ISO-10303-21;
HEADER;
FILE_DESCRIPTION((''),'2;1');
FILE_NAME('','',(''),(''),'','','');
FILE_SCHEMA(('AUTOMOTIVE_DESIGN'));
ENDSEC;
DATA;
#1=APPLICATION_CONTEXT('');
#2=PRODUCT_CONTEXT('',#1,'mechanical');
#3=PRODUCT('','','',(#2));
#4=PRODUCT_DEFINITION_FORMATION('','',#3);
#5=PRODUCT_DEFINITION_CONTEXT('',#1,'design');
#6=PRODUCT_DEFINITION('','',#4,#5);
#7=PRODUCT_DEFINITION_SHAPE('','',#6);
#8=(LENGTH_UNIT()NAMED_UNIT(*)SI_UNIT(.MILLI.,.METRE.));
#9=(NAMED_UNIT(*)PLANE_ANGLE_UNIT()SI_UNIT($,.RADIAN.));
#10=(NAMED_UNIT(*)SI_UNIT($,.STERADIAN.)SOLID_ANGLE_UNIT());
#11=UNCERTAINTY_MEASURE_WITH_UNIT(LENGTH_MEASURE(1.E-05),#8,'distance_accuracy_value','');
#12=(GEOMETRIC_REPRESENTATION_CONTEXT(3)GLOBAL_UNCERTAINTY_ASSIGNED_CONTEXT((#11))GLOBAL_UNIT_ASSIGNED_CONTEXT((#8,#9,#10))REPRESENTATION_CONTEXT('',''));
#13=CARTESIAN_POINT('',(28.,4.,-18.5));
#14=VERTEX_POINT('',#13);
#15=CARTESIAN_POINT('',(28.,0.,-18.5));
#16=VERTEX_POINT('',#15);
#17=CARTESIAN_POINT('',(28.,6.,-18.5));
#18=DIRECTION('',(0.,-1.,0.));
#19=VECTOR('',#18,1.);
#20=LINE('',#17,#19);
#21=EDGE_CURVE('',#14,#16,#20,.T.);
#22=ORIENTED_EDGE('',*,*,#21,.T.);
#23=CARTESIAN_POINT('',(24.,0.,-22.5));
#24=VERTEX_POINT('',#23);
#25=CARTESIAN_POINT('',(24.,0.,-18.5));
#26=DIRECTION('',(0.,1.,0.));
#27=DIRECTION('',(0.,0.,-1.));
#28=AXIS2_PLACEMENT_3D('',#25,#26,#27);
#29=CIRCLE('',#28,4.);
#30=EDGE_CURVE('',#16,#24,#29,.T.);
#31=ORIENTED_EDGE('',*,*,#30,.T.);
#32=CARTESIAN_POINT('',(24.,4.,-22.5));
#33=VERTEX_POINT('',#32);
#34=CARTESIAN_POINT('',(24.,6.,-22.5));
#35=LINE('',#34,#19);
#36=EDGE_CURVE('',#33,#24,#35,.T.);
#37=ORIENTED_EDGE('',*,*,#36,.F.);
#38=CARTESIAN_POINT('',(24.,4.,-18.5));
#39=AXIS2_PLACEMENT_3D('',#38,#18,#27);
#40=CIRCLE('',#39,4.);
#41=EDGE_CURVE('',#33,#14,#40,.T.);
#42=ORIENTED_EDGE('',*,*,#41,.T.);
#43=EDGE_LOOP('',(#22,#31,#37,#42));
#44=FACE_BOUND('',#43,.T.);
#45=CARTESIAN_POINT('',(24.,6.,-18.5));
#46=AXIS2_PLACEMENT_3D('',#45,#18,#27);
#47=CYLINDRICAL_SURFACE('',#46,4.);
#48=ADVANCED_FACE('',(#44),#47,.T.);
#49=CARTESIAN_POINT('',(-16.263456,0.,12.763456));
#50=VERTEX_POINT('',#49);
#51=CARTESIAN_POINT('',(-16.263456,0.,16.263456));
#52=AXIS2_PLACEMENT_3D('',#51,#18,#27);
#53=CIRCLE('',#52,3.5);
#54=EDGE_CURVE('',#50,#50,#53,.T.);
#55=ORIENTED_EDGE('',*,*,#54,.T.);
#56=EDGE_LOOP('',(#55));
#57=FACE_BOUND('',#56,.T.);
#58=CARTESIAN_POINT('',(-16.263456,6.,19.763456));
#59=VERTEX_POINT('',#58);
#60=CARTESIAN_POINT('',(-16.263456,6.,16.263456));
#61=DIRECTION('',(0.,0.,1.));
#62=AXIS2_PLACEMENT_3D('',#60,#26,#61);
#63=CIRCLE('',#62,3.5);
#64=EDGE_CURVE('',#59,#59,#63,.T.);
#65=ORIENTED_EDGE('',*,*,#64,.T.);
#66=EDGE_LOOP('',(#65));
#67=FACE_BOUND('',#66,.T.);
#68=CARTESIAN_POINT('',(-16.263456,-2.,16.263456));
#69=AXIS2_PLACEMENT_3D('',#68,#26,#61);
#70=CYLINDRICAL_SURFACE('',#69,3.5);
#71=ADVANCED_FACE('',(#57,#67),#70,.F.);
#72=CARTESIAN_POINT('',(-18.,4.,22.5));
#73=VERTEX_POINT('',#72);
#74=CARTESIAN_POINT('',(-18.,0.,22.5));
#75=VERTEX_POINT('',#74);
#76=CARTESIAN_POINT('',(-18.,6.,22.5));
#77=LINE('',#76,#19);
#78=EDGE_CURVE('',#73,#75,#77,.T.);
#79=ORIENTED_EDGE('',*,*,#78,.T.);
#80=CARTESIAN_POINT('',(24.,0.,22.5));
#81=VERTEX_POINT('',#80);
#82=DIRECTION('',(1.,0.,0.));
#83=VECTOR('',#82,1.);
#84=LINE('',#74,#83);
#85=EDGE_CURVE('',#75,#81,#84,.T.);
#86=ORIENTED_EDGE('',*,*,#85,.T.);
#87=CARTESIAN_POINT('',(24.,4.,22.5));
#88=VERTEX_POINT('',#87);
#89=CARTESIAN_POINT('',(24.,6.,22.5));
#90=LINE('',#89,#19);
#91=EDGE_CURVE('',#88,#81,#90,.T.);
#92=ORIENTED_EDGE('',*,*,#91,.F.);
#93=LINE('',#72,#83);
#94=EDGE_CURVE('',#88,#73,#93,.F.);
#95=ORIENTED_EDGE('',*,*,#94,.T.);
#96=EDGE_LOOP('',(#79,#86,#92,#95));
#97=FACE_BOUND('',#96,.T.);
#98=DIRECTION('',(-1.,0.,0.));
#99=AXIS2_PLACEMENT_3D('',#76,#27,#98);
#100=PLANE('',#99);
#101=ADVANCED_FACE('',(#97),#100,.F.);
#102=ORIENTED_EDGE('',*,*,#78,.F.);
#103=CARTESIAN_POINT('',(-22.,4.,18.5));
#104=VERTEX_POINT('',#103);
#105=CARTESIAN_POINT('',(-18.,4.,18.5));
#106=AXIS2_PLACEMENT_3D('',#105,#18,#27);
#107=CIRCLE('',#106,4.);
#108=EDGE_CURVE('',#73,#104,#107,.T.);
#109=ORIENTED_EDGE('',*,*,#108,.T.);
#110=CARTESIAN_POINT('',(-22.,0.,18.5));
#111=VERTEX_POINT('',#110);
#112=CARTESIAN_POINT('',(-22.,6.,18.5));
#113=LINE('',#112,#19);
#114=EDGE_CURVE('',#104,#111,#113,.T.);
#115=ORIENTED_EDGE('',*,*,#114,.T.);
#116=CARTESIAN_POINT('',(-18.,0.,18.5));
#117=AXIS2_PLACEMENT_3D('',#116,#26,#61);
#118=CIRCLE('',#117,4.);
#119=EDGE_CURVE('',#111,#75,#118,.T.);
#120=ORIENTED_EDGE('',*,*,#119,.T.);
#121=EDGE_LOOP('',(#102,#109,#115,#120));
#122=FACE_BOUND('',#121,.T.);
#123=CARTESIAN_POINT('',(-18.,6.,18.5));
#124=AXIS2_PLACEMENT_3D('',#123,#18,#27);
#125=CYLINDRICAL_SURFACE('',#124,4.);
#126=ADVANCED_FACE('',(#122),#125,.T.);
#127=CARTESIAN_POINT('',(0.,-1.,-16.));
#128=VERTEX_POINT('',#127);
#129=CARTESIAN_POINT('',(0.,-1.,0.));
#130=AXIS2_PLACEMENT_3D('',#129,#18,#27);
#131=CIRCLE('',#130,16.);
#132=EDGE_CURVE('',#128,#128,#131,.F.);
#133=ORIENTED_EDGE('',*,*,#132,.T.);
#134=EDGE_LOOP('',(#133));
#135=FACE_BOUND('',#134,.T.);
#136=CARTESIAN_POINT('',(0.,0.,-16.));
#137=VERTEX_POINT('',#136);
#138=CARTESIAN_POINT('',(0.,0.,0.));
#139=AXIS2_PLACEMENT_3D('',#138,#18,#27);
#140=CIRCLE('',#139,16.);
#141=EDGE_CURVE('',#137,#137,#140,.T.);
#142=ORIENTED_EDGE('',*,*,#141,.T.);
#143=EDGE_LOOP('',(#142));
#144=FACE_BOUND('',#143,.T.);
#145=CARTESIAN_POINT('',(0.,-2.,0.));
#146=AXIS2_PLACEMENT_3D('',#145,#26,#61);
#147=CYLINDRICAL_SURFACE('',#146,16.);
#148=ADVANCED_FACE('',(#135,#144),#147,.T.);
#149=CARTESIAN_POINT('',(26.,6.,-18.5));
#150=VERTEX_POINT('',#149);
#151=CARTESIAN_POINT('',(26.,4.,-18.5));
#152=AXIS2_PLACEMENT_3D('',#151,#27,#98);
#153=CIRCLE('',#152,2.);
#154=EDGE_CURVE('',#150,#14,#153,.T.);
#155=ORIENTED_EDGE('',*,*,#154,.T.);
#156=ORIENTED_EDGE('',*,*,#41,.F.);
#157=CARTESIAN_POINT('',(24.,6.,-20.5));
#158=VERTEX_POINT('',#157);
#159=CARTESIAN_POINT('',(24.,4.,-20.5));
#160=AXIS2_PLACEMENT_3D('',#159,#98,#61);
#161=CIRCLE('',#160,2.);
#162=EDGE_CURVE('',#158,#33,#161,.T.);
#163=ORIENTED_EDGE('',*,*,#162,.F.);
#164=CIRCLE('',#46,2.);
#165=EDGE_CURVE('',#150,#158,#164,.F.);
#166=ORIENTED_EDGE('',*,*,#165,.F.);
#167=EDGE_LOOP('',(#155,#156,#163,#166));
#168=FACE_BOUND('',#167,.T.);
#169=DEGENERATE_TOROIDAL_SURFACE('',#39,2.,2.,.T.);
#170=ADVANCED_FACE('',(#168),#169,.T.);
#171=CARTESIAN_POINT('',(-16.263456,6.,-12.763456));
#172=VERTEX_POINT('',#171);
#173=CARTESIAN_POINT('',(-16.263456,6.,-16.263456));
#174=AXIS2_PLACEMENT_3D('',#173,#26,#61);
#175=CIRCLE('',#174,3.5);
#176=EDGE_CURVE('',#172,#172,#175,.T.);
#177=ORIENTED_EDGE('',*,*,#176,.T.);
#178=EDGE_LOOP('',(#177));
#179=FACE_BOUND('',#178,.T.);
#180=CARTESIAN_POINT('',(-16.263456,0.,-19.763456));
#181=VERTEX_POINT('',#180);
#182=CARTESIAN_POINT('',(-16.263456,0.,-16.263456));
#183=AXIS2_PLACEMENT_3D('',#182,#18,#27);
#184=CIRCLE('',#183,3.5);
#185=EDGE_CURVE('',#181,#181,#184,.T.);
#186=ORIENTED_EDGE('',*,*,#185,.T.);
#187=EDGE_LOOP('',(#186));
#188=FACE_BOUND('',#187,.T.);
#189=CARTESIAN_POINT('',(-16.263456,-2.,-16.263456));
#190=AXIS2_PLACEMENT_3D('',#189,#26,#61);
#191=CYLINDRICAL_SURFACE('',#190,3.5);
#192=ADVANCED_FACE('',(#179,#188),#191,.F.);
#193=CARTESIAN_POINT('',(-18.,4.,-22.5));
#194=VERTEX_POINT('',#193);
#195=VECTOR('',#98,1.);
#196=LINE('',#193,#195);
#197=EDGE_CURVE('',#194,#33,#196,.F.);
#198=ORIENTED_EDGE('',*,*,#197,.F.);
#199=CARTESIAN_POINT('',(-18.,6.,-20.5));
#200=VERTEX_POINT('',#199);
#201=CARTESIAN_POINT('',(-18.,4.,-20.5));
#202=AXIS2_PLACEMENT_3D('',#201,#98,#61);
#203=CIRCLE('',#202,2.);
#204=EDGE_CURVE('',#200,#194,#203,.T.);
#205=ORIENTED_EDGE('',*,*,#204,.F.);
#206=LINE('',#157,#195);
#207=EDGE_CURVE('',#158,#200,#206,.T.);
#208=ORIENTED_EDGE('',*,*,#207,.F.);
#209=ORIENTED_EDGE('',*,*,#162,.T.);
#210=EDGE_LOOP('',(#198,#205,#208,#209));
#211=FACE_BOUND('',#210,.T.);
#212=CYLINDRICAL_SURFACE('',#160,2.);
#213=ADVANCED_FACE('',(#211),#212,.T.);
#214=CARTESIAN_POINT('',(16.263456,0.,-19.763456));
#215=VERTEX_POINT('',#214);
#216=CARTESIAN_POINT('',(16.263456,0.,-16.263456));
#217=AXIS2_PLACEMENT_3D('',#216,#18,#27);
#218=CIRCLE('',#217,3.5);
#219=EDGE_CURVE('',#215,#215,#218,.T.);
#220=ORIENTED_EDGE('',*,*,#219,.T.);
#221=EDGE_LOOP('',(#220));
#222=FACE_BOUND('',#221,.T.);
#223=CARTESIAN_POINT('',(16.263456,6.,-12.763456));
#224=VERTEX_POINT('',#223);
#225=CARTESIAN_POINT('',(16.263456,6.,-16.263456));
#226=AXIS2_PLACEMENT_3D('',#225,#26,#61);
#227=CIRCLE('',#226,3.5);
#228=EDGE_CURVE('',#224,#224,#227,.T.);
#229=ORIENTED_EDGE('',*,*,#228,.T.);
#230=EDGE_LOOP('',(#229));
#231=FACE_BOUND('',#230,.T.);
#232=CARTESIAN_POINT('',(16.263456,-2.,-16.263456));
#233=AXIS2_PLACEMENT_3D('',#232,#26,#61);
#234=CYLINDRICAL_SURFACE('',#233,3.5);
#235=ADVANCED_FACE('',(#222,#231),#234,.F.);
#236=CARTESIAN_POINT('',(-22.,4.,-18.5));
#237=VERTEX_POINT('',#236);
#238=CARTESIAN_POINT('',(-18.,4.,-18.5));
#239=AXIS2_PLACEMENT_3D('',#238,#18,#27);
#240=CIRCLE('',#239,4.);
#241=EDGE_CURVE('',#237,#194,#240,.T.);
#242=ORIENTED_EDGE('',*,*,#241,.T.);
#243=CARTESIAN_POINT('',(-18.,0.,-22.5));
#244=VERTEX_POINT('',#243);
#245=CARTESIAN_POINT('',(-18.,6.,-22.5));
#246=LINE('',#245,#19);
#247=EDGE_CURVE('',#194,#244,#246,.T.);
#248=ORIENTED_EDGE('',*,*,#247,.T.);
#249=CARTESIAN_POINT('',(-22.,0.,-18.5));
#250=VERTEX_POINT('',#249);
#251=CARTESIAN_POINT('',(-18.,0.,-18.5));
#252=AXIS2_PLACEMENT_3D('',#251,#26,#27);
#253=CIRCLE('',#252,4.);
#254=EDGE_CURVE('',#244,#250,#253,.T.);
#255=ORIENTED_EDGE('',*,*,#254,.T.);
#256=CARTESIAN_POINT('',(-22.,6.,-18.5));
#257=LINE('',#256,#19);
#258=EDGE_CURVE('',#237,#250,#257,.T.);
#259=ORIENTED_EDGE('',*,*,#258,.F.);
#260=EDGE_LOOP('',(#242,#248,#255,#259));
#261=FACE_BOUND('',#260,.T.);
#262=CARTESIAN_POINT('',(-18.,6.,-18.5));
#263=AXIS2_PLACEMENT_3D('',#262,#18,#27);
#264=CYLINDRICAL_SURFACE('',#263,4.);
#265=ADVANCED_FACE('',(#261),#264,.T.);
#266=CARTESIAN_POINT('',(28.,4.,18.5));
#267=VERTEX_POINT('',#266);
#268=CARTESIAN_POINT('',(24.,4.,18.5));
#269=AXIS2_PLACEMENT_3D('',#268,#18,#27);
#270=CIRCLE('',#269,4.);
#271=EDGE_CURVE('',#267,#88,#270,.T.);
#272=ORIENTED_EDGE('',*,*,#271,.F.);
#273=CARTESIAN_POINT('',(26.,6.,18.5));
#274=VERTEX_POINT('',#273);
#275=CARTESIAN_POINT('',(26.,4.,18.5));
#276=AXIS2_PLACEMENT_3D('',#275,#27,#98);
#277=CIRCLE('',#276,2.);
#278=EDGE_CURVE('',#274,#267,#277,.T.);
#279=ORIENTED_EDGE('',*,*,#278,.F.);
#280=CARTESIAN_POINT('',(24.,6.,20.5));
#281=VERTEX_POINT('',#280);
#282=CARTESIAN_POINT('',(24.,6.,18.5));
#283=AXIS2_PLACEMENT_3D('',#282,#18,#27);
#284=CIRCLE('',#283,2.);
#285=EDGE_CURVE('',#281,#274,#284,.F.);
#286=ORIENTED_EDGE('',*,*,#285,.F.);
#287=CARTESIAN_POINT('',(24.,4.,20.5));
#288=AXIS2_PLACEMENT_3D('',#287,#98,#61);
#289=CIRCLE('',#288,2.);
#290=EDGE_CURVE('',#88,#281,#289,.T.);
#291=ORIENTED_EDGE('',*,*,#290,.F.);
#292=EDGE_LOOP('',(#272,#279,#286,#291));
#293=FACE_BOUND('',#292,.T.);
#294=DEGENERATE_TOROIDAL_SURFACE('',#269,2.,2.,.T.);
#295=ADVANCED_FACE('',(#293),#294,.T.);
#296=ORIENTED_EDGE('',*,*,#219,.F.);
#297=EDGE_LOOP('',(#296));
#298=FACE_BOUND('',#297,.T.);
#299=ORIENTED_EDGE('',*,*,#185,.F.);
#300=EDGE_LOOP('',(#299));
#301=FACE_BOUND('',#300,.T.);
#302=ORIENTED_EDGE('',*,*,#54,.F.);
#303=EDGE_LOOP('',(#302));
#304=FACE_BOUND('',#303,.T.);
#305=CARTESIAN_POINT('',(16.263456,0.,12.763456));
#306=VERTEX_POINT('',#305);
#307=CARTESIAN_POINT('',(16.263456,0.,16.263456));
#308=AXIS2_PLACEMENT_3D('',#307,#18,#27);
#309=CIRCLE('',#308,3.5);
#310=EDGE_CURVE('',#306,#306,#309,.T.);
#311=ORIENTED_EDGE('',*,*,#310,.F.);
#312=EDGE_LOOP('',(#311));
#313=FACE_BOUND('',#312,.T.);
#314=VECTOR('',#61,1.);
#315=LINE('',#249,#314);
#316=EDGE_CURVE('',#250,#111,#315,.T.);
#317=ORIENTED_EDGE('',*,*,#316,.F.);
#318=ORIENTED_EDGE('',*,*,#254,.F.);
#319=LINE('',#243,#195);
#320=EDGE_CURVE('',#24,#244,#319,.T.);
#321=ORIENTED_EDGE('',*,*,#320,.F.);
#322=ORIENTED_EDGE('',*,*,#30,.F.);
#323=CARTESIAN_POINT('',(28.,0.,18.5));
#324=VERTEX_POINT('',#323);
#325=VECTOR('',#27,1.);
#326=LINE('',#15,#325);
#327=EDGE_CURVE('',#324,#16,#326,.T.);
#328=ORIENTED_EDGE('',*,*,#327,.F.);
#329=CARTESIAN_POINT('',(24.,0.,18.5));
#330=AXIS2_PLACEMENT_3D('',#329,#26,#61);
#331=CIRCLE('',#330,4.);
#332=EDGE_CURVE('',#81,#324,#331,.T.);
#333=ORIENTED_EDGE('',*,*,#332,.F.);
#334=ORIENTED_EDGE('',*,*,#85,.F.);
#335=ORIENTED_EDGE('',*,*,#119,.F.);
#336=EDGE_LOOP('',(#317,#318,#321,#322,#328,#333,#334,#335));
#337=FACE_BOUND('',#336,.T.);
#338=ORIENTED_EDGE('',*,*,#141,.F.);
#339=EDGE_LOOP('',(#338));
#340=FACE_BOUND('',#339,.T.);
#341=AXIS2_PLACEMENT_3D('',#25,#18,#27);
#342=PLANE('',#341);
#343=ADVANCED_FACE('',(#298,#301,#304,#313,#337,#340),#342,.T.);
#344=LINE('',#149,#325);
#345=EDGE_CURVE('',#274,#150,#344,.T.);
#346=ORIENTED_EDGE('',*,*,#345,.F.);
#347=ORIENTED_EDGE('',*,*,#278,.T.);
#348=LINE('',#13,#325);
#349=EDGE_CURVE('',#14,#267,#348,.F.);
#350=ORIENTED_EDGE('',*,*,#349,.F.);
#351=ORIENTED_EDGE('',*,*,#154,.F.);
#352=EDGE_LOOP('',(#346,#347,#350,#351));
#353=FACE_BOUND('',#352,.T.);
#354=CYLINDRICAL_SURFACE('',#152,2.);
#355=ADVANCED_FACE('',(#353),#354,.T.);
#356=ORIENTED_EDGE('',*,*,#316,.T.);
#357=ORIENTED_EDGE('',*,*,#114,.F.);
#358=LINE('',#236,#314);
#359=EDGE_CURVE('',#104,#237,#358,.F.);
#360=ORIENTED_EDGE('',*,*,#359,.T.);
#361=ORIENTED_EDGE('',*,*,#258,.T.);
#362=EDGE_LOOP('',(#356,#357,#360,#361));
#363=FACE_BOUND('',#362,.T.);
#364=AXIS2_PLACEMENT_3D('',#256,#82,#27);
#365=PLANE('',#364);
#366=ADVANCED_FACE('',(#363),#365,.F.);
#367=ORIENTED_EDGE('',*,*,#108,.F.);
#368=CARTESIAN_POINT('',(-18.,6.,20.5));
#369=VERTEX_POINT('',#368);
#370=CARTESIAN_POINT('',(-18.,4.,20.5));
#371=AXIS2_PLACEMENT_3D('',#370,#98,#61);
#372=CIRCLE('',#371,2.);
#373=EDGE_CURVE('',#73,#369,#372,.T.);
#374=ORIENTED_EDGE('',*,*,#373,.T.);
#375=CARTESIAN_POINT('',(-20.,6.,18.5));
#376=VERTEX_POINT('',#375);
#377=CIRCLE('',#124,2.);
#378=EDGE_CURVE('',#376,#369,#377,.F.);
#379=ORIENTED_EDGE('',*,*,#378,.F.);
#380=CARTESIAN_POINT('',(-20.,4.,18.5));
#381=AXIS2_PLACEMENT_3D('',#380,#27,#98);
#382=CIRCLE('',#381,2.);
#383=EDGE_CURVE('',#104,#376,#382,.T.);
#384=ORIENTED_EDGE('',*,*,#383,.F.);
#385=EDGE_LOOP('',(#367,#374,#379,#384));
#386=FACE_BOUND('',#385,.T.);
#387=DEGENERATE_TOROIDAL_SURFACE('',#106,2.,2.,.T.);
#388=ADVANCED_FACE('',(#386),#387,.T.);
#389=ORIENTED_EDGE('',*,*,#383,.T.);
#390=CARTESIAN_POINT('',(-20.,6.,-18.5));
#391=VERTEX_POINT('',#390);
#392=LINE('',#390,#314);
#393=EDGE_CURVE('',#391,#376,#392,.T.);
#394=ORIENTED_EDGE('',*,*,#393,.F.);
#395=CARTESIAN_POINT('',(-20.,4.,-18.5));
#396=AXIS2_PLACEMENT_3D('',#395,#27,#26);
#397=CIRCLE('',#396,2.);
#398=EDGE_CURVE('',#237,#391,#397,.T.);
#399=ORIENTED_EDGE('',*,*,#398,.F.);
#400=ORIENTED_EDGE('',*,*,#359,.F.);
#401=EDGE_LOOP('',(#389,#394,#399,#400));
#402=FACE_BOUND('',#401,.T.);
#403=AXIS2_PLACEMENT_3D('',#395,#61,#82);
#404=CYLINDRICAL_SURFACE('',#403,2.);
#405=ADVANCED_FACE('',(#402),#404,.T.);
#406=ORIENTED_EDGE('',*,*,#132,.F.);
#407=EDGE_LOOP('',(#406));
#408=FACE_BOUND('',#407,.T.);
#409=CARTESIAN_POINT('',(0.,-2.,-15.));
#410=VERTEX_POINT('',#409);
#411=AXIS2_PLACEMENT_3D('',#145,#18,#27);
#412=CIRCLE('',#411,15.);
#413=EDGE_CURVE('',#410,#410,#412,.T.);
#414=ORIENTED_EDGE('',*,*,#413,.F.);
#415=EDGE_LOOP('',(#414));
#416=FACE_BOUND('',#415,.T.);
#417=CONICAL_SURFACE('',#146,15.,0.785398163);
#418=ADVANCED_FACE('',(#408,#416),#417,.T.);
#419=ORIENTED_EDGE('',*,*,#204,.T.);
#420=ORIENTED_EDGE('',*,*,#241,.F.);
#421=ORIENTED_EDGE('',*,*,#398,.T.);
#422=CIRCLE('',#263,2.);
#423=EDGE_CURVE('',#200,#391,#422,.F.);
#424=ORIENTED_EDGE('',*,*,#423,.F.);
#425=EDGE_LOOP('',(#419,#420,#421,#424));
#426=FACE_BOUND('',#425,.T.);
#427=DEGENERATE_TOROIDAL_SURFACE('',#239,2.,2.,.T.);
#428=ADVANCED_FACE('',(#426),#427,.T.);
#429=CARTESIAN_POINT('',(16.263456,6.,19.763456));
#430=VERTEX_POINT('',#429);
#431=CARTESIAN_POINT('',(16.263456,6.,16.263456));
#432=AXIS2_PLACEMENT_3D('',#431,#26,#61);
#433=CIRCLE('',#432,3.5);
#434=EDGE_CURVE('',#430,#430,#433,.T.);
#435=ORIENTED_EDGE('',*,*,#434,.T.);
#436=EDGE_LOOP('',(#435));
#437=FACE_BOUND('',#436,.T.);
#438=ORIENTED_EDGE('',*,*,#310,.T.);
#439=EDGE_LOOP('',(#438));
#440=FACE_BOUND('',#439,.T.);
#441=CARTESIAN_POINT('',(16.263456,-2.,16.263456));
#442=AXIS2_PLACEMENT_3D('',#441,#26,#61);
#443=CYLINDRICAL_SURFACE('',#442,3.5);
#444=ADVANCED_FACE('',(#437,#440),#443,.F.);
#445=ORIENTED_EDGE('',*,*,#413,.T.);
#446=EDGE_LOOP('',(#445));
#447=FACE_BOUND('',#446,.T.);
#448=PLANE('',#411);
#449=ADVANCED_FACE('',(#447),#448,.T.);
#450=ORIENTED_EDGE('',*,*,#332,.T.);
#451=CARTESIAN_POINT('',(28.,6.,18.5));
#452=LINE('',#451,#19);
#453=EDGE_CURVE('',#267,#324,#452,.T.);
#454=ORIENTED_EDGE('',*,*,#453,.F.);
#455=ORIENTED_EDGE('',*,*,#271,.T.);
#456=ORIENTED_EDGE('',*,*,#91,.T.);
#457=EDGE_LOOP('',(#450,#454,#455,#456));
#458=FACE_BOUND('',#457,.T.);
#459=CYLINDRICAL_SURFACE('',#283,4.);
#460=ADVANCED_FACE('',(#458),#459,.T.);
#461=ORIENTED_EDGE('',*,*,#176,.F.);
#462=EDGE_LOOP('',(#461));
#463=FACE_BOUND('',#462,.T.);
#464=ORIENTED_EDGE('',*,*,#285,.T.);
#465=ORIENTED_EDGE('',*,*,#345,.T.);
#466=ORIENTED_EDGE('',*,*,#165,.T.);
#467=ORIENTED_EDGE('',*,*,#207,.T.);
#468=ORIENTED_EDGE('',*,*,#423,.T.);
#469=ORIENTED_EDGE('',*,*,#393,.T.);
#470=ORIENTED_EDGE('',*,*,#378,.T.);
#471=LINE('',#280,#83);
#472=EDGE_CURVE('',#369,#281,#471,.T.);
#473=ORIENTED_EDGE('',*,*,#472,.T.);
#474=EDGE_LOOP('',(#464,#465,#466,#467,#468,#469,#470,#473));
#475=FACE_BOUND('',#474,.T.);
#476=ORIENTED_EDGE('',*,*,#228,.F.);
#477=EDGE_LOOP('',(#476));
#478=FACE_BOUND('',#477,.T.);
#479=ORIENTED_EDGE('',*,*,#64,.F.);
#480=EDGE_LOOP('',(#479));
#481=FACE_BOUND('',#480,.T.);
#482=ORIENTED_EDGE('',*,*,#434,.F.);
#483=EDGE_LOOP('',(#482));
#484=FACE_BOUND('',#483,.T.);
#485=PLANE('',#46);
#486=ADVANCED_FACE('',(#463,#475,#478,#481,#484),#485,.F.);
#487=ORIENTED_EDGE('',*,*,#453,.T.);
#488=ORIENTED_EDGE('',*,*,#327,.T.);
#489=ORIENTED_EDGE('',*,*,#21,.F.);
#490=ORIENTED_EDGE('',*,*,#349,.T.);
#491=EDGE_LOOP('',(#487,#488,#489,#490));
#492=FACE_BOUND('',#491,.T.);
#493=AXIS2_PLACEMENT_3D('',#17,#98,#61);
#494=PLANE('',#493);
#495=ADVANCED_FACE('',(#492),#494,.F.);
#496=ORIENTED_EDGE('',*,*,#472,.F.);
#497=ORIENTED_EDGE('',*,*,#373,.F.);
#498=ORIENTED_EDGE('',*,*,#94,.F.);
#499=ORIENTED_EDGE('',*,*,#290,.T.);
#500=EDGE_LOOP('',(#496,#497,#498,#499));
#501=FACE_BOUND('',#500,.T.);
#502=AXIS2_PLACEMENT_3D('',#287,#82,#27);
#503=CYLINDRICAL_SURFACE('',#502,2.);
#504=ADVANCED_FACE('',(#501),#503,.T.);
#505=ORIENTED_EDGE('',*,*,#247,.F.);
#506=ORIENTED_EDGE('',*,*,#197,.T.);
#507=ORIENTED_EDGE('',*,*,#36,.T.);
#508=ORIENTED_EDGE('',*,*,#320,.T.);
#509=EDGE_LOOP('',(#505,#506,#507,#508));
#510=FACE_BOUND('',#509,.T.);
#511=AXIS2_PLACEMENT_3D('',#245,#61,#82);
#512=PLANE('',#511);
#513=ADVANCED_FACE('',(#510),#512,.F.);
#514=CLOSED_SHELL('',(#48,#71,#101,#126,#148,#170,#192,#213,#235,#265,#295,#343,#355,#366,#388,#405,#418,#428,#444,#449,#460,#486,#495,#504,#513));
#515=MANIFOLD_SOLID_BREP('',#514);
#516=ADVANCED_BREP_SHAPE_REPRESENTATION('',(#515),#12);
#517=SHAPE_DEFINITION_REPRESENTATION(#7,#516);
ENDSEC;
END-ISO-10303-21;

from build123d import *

# Parameters (mm, degrees)
BOSS_EXTRUDE1_DEPTH = 6
FILLET1_R           = 2
SKETCH2_R           = 16
BOSS_EXTRUDE2_DEPTH = 2
CHAMFER1_SIZE       = 1
SKETCH3_R           = 3.5
CUT_EXTRUDE1_DEPTH  = 37.800135869


with BuildPart() as part:
    # Sketch1 → Boss-Extrude1 (new body)
    with BuildSketch(Plane(origin=(0, 0, 0), x_dir=(1, 0, 0), z_dir=(0, 1, 0))):
        with BuildLine():
            Line((-18, 22.5), (24, 22.5))
            ThreePointArc((24, 22.5), (26.828427125, 21.328427125), (28, 18.5))
            Line((28, 18.5), (28, -18.5))
            ThreePointArc((28, -18.5), (26.828427125, -21.328427125), (24, -22.5))
            Line((24, -22.5), (-18, -22.5))
            ThreePointArc((-18, -22.5), (-20.828427125, -21.328427125), (-22, -18.5))
            Line((-22, -18.5), (-22, 18.5))
            ThreePointArc((-22, 18.5), (-20.828427125, 21.328427125), (-18, 22.5))
        make_face()
    extrude(amount=BOSS_EXTRUDE1_DEPTH)

    # Fillet1
    fillet1_edges = [part.edges().sort_by_distance(p)[0] for p in [
        (-20.828427125, 6, -21.328427125),
        (-22, 6, 0),
        (-20.828427125, 6, 21.328427125),
        (3, 6, 22.5),
        (26.828427125, 6, 21.328427125),
        (28, 6, 0),
        (26.828427125, 6, -21.328427125),
        (3, 6, -22.5),
    ]]
    fillet(fillet1_edges, radius=FILLET1_R)

    # Sketch2 → Boss-Extrude2 (add)
    with BuildSketch(Plane.XZ):
        with Locations(Location((0, 0, 0), (0, 0, 270))):
            Circle(SKETCH2_R)
    extrude(amount=BOSS_EXTRUDE2_DEPTH)

    # Chamfer1
    chamfer1_edges = [part.edges().sort_by_distance(p)[0] for p in [
        (0, -2, 16),
    ]]
    chamfer(chamfer1_edges, length=CHAMFER1_SIZE)

    # Sketch3 → Cut-Extrude1 (cut, through all)
    with BuildSketch(Plane(origin=(0, 6, 0), x_dir=(1, 0, 0), z_dir=(0, 1, 0))):
        with Locations(Location((-16.263455967, 16.263455967, 0), (0, 0, 270))):
            Circle(SKETCH3_R)
        with Locations(Location((16.263455967, 16.263455967, 0), (0, 0, 270))):
            Circle(SKETCH3_R)
        with Locations(Location((16.263455967, -16.263455967, 0), (0, 0, 270))):
            Circle(SKETCH3_R)
        with Locations(Location((-16.263455967, -16.263455967, 0), (0, 0, 270))):
            Circle(SKETCH3_R)
    extrude(amount=-CUT_EXTRUDE1_DEPTH, mode=Mode.SUBTRACT)


solid = part.part
